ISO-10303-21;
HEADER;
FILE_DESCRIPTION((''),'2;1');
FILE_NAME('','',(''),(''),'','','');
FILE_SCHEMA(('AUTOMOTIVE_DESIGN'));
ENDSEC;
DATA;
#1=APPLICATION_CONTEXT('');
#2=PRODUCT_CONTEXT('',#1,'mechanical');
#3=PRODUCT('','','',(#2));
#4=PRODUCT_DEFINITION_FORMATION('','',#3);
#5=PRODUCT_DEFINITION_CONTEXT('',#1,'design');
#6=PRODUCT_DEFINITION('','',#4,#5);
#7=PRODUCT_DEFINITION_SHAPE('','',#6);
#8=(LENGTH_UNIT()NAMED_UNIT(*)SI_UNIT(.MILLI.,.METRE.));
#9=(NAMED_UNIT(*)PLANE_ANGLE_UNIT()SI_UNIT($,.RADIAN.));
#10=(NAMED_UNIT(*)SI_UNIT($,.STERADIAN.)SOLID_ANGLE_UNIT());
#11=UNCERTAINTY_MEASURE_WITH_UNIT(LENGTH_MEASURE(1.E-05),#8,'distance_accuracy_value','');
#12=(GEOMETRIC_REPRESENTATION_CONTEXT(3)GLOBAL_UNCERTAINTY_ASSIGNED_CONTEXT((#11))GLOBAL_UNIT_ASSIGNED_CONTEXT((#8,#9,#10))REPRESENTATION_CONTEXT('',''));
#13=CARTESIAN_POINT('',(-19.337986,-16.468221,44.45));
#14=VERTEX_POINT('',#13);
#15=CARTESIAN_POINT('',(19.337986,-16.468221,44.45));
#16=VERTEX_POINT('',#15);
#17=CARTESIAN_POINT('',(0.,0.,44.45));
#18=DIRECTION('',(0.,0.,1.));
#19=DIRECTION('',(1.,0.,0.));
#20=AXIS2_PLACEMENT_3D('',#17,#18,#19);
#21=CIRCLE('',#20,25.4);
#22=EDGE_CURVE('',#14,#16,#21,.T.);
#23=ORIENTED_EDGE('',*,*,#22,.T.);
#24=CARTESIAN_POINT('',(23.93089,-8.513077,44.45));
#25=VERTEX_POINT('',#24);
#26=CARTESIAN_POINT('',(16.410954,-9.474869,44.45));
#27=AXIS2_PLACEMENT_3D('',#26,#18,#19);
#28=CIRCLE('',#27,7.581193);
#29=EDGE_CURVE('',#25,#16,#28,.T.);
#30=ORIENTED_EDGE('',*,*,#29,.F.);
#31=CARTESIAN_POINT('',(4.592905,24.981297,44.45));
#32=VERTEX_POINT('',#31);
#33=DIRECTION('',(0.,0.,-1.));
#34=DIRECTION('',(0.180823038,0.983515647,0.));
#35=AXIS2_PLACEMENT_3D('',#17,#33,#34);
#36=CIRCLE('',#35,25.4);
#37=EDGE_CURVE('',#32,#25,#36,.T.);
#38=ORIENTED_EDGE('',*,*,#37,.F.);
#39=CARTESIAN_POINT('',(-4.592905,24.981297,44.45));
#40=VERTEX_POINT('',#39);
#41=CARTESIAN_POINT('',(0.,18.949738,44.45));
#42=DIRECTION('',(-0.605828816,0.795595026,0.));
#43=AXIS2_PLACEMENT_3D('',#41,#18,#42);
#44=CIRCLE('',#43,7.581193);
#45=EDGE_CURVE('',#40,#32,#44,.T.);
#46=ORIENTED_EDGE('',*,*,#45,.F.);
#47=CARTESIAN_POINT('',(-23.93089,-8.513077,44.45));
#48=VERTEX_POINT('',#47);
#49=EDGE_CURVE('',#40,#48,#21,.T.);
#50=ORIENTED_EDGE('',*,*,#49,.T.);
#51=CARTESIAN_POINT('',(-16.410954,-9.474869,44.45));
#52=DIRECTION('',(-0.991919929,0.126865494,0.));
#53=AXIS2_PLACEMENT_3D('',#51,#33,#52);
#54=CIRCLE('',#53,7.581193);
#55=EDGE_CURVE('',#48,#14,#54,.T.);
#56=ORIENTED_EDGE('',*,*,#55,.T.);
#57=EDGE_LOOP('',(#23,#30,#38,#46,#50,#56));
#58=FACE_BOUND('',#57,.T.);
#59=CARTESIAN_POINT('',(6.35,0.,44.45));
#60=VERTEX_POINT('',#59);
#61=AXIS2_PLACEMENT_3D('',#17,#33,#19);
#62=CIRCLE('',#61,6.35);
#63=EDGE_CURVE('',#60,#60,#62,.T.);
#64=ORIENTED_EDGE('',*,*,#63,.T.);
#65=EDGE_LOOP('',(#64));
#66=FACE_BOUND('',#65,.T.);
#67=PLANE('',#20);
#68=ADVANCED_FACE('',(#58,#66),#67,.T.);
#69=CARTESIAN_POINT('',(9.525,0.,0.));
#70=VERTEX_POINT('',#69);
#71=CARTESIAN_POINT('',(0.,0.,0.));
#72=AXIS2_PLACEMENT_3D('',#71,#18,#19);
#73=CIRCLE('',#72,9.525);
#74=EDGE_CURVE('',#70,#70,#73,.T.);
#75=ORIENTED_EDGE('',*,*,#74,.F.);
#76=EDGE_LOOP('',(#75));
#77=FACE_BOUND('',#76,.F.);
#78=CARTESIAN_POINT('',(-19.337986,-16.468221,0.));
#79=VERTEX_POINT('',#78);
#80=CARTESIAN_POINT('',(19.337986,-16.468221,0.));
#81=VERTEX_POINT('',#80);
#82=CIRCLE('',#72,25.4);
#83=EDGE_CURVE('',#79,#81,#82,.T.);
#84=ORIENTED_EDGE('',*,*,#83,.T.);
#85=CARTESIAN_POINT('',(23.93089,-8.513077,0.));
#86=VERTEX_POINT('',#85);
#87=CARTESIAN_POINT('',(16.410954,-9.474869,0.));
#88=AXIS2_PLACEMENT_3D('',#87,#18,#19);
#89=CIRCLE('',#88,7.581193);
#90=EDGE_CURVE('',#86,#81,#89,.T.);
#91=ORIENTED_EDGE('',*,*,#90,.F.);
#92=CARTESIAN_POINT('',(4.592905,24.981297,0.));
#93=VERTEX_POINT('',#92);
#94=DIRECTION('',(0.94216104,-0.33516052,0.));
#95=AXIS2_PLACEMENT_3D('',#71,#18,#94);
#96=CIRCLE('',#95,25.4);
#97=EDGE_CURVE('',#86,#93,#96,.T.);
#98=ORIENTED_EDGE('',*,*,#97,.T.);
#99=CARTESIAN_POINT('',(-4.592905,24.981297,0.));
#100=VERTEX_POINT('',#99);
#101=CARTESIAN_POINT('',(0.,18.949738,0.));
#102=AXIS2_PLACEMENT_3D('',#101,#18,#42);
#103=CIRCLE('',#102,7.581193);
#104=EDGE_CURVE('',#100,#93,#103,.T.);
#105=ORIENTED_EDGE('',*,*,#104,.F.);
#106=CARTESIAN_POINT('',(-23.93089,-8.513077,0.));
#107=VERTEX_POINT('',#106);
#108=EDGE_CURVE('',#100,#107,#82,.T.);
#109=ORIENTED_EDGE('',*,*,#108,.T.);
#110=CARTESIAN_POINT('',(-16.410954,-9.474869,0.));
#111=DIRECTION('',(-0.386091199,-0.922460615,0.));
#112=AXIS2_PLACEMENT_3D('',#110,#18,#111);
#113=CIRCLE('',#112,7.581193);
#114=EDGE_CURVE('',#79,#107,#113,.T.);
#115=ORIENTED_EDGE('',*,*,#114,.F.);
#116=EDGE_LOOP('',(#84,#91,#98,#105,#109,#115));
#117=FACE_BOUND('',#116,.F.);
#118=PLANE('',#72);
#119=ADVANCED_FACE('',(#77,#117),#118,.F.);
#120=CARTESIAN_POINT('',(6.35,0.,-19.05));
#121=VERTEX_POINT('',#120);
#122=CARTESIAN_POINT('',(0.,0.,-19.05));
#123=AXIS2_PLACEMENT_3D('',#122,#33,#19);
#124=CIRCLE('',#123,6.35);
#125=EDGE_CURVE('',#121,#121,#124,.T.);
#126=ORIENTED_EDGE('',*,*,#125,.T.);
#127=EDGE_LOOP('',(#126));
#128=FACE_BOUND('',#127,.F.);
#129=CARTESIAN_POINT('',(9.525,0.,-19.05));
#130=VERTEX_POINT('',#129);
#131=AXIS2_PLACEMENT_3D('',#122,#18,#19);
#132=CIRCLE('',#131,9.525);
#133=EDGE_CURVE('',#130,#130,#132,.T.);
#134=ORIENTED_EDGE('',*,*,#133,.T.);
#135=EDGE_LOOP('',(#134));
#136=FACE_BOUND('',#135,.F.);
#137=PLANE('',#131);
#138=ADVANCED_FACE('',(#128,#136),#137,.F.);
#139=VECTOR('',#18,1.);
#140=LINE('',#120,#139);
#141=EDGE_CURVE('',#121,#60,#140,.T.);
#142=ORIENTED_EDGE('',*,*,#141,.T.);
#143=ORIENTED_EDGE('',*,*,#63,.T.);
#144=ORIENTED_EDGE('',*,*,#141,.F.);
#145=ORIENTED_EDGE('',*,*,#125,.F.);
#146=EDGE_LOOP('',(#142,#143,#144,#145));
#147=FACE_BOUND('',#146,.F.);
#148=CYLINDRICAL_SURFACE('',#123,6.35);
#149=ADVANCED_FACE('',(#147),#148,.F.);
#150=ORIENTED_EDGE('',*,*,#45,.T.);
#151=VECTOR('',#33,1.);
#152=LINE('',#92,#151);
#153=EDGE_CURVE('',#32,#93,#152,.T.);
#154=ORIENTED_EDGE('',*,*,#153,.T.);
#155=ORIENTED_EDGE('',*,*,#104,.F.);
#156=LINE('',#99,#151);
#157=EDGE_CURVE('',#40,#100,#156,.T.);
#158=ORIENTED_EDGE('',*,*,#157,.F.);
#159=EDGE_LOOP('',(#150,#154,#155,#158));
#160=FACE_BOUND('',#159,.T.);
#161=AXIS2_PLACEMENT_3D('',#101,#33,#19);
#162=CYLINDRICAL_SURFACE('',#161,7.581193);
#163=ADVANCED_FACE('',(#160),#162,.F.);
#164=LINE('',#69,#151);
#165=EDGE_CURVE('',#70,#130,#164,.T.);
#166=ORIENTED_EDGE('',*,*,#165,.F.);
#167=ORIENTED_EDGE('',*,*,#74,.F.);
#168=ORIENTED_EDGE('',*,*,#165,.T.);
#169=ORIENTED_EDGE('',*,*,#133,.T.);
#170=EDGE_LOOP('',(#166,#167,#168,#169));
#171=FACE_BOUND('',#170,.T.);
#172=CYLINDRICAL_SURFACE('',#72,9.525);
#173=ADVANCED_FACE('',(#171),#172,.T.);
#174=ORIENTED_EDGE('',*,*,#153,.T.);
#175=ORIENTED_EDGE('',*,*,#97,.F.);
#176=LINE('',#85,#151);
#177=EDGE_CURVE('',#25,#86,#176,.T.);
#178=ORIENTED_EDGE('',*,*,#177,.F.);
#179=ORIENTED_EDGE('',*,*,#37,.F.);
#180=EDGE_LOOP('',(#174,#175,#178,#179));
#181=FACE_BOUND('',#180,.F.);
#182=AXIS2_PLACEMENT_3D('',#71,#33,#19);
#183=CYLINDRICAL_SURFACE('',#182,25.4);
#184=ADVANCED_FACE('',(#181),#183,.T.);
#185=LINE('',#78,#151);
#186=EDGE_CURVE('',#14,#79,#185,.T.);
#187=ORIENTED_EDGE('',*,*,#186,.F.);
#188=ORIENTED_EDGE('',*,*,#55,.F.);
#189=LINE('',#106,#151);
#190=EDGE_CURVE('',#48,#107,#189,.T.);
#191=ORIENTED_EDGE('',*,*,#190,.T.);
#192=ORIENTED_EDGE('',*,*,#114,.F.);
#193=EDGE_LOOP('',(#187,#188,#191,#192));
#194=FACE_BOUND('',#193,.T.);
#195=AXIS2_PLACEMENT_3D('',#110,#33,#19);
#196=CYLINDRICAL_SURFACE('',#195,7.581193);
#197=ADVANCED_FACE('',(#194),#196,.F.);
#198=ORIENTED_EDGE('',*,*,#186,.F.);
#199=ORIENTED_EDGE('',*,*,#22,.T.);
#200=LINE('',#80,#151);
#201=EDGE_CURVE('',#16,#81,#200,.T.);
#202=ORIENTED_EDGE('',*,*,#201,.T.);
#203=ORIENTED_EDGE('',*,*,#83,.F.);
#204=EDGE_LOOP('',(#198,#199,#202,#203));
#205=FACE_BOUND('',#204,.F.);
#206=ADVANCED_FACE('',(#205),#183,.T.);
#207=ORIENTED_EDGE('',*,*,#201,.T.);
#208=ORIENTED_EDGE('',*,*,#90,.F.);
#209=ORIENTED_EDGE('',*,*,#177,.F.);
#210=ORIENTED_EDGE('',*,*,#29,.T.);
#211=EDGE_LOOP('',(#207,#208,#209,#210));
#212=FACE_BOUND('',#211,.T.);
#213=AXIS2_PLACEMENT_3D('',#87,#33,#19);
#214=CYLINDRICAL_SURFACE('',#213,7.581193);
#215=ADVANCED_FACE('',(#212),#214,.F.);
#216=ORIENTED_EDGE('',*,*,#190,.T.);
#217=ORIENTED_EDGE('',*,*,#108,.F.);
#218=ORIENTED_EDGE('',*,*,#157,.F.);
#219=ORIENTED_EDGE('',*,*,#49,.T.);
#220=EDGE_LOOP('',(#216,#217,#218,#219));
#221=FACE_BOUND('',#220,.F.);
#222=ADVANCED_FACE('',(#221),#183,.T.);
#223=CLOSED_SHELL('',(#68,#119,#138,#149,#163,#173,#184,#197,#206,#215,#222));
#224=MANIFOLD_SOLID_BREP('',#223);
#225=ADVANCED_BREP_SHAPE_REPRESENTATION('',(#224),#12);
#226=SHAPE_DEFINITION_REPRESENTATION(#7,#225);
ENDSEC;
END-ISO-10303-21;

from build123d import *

# Parameters (mm, degrees)
F0_R     = 25.4
F1_DEPTH = 44.45
F2_R     = 9.525
F3_DEPTH = 19.05
F4_R     = 6.35
F5_DEPTH = 76.2
F6_R     = 7.581193
F7_DEPTH = 44.45


with BuildPart() as f1:
    # F0 (on Top) → F1 (new body)
    with BuildSketch(Plane.XY):
        Circle(F0_R)
    extrude(amount=F1_DEPTH)

    # F2 (on Top) → F3 (join)
    with BuildSketch(Plane.XY):
        Circle(F2_R)
    extrude(amount=-F3_DEPTH)

    # F4 (on face) → F5 (cut)
    with BuildSketch(Plane(origin=(0, 0, -19.05), x_dir=(1, 0, 0), z_dir=(0, 0, -1))):
        Circle(F4_R)
    extrude(amount=-F5_DEPTH, mode=Mode.SUBTRACT)

    # F6 (on Top) → F7 (cut)
    with BuildSketch(Plane.XY):
        with Locations((0, 18.949738)):
            Circle(F6_R)
        with Locations((-16.410954, -9.474869)):
            Circle(F6_R)
        with Locations((16.410954, -9.474869)):
            Circle(F6_R)
    extrude(amount=F7_DEPTH, mode=Mode.SUBTRACT)


solid = f1.part
